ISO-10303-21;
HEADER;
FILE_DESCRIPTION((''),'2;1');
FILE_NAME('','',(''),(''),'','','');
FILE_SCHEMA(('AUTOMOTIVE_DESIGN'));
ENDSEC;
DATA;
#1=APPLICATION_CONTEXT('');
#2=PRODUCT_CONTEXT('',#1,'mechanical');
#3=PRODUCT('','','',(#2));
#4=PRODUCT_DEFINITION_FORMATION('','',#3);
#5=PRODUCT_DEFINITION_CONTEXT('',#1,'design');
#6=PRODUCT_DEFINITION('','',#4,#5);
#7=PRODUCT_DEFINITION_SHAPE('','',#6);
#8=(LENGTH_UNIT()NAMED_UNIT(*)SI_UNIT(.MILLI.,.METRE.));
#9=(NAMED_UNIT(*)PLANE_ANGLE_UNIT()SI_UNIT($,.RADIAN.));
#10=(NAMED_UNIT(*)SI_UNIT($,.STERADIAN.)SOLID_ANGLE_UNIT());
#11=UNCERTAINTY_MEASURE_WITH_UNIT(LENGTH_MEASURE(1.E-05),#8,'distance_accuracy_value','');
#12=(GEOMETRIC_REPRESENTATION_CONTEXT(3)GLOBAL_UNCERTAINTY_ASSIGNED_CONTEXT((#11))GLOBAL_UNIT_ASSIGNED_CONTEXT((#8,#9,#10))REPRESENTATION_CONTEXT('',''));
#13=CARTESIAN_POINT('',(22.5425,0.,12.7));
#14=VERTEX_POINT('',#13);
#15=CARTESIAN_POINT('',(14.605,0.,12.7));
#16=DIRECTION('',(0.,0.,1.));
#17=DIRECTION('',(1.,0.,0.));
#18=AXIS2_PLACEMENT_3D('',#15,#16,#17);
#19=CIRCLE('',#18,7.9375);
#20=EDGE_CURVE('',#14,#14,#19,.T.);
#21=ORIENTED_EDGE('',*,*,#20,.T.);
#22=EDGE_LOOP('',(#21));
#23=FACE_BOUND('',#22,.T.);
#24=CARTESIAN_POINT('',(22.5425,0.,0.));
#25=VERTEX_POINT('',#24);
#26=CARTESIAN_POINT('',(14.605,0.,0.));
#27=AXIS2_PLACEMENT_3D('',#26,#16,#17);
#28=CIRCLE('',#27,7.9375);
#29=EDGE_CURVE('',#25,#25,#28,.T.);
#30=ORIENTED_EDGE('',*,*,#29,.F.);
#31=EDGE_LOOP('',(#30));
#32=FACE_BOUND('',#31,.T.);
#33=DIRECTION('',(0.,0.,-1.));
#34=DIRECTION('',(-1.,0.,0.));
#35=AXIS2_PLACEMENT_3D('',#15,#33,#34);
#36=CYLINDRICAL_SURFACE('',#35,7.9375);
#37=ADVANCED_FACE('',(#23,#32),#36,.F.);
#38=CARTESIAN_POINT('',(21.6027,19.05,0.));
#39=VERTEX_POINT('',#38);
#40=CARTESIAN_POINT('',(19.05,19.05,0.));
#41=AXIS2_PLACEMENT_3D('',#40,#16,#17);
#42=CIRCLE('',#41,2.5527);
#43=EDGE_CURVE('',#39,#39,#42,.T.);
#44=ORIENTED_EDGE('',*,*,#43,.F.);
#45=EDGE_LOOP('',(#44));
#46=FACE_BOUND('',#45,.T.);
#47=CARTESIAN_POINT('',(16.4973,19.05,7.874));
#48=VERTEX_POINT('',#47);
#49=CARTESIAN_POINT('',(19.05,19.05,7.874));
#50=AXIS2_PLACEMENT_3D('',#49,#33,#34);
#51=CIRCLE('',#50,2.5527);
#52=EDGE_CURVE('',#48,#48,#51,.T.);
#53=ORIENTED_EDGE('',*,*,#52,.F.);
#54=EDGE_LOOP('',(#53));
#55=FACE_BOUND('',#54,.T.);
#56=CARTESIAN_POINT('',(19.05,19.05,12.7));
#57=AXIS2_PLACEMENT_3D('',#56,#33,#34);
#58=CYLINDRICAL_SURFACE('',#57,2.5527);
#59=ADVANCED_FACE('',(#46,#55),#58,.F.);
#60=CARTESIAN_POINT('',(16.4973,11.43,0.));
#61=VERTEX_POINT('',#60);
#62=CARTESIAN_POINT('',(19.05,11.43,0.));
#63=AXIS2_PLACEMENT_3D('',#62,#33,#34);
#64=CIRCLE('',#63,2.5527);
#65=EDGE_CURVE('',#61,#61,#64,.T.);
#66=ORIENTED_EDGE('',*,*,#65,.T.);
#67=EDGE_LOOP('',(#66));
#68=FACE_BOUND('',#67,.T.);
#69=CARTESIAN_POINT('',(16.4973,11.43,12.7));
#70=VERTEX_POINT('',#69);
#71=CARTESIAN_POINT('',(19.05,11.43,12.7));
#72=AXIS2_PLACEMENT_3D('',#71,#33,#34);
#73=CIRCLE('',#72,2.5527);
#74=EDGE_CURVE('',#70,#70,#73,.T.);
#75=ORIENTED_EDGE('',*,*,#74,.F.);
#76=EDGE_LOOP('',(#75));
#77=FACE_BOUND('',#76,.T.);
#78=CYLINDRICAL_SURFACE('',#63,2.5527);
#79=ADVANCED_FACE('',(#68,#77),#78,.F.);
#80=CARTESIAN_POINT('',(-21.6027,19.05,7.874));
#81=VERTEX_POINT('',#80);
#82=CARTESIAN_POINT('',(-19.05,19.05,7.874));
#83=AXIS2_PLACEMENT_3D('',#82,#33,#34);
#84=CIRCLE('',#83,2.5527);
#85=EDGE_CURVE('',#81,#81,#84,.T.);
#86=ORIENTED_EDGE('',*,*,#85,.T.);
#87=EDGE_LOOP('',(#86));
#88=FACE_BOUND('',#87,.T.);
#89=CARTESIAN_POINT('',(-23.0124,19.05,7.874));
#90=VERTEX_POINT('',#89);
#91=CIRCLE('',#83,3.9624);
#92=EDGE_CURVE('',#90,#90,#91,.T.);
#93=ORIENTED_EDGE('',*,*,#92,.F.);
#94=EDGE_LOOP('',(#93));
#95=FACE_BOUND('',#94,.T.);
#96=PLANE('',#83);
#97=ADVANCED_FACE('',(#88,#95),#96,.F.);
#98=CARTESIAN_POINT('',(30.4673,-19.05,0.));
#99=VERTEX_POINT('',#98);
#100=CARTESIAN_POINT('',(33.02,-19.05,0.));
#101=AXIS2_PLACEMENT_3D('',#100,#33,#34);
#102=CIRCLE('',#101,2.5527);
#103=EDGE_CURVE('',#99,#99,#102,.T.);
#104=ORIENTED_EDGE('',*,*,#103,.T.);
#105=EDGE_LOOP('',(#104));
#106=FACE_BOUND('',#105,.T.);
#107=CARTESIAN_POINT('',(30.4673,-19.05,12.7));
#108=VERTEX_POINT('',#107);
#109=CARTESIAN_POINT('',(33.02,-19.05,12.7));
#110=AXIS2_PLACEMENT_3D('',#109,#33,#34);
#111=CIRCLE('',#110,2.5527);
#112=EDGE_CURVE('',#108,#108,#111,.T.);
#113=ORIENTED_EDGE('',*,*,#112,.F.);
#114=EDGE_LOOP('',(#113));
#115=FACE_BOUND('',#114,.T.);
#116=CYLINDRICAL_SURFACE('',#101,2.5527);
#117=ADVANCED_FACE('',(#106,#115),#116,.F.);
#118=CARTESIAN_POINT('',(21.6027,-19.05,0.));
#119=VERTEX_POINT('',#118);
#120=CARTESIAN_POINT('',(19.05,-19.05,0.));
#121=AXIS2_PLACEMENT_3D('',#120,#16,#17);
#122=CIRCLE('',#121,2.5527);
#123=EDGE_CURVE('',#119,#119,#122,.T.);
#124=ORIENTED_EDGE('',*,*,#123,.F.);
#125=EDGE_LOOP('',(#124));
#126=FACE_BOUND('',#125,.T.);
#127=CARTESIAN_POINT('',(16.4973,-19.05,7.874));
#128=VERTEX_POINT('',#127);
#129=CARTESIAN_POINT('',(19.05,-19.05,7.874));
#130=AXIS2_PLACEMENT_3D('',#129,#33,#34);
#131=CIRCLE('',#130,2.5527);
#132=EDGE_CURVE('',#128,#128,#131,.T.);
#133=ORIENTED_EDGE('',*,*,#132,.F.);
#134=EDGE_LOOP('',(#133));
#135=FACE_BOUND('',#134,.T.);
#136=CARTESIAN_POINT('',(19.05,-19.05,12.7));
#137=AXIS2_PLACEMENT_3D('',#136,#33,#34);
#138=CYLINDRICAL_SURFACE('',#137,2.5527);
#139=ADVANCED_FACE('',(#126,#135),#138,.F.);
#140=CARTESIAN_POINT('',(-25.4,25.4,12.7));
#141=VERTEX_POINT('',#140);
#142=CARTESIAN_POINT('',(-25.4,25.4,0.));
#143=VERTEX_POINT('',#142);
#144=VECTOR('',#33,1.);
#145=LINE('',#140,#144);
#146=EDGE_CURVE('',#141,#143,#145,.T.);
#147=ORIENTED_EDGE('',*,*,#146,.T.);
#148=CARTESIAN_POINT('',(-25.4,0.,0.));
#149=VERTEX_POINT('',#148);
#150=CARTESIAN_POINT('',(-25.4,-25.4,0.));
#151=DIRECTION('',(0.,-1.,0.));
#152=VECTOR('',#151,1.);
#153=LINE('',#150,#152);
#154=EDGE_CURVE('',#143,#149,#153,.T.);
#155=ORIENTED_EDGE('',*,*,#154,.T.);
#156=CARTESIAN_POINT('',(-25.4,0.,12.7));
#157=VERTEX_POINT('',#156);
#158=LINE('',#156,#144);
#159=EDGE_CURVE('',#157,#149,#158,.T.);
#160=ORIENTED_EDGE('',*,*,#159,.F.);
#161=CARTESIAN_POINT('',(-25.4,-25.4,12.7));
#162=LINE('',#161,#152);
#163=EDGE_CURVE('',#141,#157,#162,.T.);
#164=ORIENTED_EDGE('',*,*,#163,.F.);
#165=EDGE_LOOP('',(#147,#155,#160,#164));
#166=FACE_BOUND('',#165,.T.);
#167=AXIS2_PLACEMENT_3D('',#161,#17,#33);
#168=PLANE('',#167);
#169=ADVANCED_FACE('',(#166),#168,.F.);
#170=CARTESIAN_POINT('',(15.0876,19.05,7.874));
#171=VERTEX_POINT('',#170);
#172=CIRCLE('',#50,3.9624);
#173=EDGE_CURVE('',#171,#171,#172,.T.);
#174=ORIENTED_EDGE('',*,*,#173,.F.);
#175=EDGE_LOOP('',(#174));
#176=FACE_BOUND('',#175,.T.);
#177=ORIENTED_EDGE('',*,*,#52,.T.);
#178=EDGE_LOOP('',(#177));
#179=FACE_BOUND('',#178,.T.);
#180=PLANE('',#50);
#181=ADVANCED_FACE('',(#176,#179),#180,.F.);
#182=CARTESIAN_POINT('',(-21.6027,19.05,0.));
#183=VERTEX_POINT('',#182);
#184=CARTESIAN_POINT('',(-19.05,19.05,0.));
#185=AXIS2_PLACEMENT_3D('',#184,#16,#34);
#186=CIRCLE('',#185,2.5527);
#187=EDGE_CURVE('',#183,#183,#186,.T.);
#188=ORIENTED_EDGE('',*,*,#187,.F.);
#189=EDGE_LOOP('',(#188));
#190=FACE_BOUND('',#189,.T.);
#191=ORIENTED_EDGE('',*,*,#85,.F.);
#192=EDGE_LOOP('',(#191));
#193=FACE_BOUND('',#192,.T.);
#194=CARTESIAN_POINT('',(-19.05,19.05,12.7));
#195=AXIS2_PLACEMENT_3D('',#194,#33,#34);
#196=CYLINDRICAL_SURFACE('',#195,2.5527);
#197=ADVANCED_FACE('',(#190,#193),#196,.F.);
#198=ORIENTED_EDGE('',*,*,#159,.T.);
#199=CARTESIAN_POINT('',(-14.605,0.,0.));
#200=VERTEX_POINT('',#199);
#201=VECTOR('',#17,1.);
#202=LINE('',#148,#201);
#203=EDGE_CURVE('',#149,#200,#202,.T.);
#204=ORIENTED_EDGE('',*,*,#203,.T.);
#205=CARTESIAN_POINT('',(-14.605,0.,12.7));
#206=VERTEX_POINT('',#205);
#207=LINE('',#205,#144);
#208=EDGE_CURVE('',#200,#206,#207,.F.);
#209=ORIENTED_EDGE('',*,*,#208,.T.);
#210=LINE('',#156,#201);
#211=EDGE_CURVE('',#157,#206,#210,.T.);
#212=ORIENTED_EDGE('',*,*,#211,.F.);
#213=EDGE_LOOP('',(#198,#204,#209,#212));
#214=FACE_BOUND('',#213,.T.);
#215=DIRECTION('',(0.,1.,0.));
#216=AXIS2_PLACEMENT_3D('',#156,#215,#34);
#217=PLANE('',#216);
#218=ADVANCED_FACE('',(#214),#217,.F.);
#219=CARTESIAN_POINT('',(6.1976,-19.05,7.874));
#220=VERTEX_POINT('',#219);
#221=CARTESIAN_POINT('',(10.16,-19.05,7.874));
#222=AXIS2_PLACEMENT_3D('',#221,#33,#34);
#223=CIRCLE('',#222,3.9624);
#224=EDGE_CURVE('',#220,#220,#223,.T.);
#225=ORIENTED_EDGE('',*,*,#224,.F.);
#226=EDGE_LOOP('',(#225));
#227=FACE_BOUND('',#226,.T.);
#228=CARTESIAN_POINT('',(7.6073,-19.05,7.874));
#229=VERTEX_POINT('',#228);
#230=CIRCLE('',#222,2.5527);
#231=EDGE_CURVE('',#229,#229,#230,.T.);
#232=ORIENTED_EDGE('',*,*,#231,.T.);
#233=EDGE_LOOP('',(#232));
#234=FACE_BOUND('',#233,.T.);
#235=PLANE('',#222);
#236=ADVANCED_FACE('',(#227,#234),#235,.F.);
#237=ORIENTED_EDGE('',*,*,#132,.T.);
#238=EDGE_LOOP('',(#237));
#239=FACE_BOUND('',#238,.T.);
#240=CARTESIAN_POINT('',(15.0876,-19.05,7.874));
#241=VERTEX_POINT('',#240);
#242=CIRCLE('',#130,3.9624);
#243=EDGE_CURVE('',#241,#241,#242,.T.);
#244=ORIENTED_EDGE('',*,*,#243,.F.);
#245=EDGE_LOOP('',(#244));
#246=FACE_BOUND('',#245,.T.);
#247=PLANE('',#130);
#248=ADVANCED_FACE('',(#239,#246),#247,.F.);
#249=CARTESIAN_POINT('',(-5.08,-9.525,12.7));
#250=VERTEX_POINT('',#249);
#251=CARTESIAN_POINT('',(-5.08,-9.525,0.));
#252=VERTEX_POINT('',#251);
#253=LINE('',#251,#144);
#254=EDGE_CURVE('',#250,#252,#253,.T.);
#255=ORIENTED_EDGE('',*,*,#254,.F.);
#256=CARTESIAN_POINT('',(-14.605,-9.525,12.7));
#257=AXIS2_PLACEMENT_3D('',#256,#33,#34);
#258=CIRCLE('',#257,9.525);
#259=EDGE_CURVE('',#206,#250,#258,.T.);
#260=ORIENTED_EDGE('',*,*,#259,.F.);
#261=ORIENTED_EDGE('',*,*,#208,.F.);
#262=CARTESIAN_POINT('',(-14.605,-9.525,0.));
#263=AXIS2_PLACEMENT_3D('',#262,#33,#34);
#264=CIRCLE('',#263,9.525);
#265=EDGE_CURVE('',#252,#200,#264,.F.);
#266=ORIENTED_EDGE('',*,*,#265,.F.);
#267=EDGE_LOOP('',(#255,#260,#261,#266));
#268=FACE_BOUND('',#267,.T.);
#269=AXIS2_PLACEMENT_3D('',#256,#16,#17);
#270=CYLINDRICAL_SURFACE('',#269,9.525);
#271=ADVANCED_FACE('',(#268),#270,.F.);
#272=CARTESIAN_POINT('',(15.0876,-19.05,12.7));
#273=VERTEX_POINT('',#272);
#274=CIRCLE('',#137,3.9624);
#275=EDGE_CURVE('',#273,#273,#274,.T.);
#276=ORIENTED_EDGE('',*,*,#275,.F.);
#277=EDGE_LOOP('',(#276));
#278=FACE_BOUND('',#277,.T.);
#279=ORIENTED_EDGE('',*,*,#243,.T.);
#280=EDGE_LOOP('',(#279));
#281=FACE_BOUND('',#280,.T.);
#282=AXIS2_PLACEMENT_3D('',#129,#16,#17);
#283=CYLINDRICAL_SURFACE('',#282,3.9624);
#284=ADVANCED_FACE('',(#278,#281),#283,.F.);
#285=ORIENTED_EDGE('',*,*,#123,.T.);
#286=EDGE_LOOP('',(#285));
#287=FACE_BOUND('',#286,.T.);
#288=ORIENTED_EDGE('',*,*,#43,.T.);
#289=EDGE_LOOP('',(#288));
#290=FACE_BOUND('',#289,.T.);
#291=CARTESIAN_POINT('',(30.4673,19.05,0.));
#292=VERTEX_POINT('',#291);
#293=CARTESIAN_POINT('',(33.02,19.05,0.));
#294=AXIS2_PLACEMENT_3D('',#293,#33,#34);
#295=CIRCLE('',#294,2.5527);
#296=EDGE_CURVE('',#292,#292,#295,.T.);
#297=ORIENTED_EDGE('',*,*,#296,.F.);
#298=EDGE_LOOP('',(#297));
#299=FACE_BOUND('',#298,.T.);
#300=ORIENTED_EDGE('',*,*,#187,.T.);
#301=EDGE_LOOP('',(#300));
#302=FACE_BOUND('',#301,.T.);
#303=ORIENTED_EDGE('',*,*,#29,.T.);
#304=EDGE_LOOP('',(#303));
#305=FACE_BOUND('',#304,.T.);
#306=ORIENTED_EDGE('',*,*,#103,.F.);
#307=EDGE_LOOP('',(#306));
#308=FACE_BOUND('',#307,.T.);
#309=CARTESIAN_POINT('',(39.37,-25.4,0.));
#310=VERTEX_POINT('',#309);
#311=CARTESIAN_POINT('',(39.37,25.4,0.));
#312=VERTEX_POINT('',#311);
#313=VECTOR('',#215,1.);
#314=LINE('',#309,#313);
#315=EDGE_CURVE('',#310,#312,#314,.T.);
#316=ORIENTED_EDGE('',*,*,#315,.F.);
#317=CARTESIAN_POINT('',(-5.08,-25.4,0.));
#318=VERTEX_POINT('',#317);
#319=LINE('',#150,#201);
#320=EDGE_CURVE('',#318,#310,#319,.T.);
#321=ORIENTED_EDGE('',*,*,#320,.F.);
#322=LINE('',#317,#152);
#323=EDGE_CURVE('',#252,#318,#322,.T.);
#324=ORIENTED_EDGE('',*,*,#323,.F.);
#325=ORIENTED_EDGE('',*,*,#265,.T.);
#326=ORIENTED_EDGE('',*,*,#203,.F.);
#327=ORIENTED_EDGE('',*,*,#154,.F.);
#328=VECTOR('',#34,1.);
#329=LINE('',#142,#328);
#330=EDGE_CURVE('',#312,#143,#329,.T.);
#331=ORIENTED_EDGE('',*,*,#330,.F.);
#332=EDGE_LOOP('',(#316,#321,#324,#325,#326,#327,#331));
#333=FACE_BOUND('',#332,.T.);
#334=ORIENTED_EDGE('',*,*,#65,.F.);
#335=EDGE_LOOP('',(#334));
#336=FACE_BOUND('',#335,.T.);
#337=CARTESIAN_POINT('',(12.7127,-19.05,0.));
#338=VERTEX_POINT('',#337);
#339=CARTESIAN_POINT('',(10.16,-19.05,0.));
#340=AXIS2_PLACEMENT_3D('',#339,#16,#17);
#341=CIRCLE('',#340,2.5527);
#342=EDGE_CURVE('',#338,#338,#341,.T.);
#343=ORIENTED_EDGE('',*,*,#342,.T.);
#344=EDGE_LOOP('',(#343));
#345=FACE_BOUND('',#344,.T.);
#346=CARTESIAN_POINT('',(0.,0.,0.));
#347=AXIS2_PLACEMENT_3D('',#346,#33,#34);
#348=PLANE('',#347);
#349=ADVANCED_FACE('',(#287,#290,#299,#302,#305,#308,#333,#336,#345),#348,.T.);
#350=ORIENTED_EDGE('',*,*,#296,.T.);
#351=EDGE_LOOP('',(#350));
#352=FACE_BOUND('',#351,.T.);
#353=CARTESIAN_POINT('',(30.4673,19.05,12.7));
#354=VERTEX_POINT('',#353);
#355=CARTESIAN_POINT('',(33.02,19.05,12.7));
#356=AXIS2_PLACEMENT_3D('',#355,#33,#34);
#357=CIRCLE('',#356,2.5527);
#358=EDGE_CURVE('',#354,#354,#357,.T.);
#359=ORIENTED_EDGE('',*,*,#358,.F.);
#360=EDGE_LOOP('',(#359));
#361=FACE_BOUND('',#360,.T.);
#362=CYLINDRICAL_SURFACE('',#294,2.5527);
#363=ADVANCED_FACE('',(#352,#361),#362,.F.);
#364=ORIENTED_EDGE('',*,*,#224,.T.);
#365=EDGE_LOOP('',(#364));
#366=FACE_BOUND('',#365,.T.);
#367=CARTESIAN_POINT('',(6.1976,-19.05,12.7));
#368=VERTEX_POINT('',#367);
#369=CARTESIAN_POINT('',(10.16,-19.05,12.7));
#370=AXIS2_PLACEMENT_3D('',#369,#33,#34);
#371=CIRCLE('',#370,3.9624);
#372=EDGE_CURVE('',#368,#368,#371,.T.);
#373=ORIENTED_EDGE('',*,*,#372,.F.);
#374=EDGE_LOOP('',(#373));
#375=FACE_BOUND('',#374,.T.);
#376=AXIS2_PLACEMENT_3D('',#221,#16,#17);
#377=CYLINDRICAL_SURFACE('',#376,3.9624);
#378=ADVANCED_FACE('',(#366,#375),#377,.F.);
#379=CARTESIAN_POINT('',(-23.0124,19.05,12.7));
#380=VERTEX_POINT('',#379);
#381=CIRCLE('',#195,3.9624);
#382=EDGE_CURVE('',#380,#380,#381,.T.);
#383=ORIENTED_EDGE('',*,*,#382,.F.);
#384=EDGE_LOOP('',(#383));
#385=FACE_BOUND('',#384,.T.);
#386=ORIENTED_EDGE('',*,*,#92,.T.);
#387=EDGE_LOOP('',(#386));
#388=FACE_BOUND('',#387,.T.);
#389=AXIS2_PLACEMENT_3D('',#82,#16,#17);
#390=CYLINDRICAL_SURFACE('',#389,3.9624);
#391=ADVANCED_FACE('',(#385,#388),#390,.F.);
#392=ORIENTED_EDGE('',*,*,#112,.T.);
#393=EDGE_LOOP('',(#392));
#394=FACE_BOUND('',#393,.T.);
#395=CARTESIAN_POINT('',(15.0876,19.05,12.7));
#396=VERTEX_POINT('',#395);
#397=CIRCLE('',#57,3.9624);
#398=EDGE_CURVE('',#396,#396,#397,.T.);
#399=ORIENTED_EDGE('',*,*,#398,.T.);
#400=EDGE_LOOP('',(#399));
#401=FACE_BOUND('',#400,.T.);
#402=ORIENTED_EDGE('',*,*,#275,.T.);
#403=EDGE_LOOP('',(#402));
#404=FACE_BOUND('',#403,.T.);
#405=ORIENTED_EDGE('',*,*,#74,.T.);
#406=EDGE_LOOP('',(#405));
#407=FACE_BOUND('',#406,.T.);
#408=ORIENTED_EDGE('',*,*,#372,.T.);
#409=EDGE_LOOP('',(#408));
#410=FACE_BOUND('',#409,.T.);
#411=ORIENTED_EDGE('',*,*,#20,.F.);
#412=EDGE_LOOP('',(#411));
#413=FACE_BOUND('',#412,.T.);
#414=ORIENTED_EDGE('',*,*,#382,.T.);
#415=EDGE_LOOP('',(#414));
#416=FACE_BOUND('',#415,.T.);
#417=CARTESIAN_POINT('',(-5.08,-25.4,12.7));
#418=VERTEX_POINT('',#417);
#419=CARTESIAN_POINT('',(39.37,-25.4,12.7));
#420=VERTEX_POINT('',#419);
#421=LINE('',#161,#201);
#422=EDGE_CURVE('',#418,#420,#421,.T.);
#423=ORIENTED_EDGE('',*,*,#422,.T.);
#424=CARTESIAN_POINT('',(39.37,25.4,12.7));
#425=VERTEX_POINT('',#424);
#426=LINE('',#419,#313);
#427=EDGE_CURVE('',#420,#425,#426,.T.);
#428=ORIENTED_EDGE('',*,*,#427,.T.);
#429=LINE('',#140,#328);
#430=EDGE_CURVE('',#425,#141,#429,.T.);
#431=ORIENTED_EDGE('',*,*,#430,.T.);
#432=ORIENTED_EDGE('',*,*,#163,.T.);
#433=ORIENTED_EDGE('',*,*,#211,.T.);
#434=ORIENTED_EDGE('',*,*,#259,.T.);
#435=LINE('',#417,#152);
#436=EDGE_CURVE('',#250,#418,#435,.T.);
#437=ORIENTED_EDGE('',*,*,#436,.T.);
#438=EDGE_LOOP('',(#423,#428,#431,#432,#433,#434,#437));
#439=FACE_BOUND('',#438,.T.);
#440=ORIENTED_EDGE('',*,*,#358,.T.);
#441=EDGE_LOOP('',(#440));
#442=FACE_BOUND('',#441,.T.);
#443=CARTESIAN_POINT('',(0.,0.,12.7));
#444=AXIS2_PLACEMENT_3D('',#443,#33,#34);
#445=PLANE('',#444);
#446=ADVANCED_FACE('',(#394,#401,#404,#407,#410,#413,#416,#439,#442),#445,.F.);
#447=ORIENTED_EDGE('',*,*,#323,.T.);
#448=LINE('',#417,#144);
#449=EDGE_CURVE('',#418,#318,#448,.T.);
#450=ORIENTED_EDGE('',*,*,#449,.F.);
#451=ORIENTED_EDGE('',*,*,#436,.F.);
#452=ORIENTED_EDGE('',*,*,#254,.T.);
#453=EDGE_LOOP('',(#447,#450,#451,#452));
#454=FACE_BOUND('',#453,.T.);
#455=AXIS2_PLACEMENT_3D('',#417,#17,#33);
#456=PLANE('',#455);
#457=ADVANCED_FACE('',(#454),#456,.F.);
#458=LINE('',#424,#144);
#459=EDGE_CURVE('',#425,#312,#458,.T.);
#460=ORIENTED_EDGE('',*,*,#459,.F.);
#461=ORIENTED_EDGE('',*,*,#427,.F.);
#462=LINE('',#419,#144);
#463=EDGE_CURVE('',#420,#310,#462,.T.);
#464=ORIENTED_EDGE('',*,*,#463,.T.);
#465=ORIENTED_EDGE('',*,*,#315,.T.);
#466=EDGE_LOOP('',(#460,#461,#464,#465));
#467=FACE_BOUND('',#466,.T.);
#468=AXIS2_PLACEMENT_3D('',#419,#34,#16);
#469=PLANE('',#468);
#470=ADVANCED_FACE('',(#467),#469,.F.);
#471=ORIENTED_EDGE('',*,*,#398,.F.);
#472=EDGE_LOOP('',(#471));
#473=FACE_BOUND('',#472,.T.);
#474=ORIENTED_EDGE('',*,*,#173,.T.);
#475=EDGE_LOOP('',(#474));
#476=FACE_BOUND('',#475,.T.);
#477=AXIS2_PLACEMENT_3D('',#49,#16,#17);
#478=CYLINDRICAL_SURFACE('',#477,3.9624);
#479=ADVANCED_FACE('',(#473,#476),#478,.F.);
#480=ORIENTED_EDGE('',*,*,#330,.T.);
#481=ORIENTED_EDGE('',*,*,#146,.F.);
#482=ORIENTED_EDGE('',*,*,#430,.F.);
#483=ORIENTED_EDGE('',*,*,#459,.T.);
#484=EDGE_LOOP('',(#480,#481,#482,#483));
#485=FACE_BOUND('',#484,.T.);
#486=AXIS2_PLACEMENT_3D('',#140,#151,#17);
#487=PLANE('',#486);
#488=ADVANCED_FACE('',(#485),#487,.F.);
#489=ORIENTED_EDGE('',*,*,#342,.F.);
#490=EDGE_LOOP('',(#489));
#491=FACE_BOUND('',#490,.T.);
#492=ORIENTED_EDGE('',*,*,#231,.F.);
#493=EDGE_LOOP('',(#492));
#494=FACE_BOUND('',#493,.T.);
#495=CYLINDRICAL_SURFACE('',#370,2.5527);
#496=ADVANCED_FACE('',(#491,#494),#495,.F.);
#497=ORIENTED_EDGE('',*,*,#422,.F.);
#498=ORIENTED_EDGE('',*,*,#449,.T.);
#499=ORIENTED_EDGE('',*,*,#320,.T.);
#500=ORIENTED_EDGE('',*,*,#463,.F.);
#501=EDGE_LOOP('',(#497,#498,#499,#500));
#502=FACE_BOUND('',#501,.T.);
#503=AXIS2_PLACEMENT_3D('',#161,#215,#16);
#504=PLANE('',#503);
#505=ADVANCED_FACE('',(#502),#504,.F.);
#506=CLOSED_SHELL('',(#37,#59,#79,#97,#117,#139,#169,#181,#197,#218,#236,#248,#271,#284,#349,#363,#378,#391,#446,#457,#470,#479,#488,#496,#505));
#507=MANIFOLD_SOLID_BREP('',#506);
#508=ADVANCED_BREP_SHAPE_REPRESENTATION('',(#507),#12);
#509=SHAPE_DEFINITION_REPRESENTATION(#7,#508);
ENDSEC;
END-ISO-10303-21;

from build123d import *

# Parameters (mm, degrees)
SKETCH1_W                      = 64.77
SKETCH1_H                      = 50.8
SKETCH1_R                      = 2.5527
SKETCH1_R_2                    = 7.9375
BOSS_EXTRUDE1_DEPTH            = 12.7
F_7_0_201_DIAMETER_HOLE1_D     = 5.1054
F_7_0_201_DIAMETER_HOLE1_DEPTH = 70.104
F_7_0_201_DIAMETER_HOLE1_TIP   = 1.533816902
SKETCH6_R                      = 3.9624
CUT_EXTRUDE1_DEPTH             = 4.826
SKETCH7_W                      = 20.32
SKETCH7_H                      = 25.4
CUT_EXTRUDE2_DEPTH             = 49.543247728
FILLET2_R                      = 9.525


with BuildPart() as part:
    # Sketch1 → Boss-Extrude1 (new body)
    with BuildSketch(Plane.XY):
        with Locations((6.985, 0)):
            Rectangle(SKETCH1_W, SKETCH1_H)
        with Locations(Location((-19.05, 19.05, 0), (0, 0, 180))):
            Circle(SKETCH1_R, mode=Mode.SUBTRACT)
        with Locations((19.05, 19.05)):
            Circle(SKETCH1_R, mode=Mode.SUBTRACT)
        with Locations((19.05, -19.05)):
            Circle(SKETCH1_R, mode=Mode.SUBTRACT)
        with Locations((10.16, -19.05)):
            Circle(SKETCH1_R, mode=Mode.SUBTRACT)
        with Locations((14.605, 0)):
            Circle(SKETCH1_R_2, mode=Mode.SUBTRACT)
    extrude(amount=BOSS_EXTRUDE1_DEPTH)

    # #7 (0.201) Diameter Hole1
    with Locations(Plane(origin=(-24.721209515, -12.864288698, 0), x_dir=(1, 0, 0), z_dir=(0, 0, -1))):
        with Locations((57.741209515, 6.185711302), (57.741209515, -31.914288698), (43.771209515, -24.294288698)):
            Hole(F_7_0_201_DIAMETER_HOLE1_D / 2, depth=F_7_0_201_DIAMETER_HOLE1_DEPTH)
            with Locations((0, 0, -(F_7_0_201_DIAMETER_HOLE1_DEPTH + F_7_0_201_DIAMETER_HOLE1_TIP / 2))):  # 118° drill point
                Cone(0, F_7_0_201_DIAMETER_HOLE1_D / 2, F_7_0_201_DIAMETER_HOLE1_TIP, mode=Mode.SUBTRACT)

    # Sketch6 → Cut-Extrude1 (cut)
    with BuildSketch(Plane(origin=(0, 0, 12.7), x_dir=(-1, 0, 0), z_dir=(0, 0, -1))):
        with Locations((-19.05, 19.05)):
            Circle(SKETCH6_R)
        with Locations((-19.05, -19.05)):
            Circle(SKETCH6_R)
        with Locations((-10.16, -19.05)):
            Circle(SKETCH6_R)
        with Locations((19.05, 19.05)):
            Circle(SKETCH6_R)
    extrude(amount=CUT_EXTRUDE1_DEPTH, mode=Mode.SUBTRACT)

    # Sketch7 → Cut-Extrude2 (cut, through all)
    with BuildSketch(Plane(origin=(0, 0, 0), x_dir=(-1, 0, 0), z_dir=(0, 0, -1))):
        with Locations((15.24, -12.7)):
            Rectangle(SKETCH7_W, SKETCH7_H)
    extrude(amount=-CUT_EXTRUDE2_DEPTH, mode=Mode.SUBTRACT)

    # Fillet2
    fillet2_edges = [part.edges().sort_by_distance(p)[0] for p in [
        (-5.08, 0, 6.35),
    ]]
    fillet(fillet2_edges, radius=FILLET2_R)


solid = part.part
